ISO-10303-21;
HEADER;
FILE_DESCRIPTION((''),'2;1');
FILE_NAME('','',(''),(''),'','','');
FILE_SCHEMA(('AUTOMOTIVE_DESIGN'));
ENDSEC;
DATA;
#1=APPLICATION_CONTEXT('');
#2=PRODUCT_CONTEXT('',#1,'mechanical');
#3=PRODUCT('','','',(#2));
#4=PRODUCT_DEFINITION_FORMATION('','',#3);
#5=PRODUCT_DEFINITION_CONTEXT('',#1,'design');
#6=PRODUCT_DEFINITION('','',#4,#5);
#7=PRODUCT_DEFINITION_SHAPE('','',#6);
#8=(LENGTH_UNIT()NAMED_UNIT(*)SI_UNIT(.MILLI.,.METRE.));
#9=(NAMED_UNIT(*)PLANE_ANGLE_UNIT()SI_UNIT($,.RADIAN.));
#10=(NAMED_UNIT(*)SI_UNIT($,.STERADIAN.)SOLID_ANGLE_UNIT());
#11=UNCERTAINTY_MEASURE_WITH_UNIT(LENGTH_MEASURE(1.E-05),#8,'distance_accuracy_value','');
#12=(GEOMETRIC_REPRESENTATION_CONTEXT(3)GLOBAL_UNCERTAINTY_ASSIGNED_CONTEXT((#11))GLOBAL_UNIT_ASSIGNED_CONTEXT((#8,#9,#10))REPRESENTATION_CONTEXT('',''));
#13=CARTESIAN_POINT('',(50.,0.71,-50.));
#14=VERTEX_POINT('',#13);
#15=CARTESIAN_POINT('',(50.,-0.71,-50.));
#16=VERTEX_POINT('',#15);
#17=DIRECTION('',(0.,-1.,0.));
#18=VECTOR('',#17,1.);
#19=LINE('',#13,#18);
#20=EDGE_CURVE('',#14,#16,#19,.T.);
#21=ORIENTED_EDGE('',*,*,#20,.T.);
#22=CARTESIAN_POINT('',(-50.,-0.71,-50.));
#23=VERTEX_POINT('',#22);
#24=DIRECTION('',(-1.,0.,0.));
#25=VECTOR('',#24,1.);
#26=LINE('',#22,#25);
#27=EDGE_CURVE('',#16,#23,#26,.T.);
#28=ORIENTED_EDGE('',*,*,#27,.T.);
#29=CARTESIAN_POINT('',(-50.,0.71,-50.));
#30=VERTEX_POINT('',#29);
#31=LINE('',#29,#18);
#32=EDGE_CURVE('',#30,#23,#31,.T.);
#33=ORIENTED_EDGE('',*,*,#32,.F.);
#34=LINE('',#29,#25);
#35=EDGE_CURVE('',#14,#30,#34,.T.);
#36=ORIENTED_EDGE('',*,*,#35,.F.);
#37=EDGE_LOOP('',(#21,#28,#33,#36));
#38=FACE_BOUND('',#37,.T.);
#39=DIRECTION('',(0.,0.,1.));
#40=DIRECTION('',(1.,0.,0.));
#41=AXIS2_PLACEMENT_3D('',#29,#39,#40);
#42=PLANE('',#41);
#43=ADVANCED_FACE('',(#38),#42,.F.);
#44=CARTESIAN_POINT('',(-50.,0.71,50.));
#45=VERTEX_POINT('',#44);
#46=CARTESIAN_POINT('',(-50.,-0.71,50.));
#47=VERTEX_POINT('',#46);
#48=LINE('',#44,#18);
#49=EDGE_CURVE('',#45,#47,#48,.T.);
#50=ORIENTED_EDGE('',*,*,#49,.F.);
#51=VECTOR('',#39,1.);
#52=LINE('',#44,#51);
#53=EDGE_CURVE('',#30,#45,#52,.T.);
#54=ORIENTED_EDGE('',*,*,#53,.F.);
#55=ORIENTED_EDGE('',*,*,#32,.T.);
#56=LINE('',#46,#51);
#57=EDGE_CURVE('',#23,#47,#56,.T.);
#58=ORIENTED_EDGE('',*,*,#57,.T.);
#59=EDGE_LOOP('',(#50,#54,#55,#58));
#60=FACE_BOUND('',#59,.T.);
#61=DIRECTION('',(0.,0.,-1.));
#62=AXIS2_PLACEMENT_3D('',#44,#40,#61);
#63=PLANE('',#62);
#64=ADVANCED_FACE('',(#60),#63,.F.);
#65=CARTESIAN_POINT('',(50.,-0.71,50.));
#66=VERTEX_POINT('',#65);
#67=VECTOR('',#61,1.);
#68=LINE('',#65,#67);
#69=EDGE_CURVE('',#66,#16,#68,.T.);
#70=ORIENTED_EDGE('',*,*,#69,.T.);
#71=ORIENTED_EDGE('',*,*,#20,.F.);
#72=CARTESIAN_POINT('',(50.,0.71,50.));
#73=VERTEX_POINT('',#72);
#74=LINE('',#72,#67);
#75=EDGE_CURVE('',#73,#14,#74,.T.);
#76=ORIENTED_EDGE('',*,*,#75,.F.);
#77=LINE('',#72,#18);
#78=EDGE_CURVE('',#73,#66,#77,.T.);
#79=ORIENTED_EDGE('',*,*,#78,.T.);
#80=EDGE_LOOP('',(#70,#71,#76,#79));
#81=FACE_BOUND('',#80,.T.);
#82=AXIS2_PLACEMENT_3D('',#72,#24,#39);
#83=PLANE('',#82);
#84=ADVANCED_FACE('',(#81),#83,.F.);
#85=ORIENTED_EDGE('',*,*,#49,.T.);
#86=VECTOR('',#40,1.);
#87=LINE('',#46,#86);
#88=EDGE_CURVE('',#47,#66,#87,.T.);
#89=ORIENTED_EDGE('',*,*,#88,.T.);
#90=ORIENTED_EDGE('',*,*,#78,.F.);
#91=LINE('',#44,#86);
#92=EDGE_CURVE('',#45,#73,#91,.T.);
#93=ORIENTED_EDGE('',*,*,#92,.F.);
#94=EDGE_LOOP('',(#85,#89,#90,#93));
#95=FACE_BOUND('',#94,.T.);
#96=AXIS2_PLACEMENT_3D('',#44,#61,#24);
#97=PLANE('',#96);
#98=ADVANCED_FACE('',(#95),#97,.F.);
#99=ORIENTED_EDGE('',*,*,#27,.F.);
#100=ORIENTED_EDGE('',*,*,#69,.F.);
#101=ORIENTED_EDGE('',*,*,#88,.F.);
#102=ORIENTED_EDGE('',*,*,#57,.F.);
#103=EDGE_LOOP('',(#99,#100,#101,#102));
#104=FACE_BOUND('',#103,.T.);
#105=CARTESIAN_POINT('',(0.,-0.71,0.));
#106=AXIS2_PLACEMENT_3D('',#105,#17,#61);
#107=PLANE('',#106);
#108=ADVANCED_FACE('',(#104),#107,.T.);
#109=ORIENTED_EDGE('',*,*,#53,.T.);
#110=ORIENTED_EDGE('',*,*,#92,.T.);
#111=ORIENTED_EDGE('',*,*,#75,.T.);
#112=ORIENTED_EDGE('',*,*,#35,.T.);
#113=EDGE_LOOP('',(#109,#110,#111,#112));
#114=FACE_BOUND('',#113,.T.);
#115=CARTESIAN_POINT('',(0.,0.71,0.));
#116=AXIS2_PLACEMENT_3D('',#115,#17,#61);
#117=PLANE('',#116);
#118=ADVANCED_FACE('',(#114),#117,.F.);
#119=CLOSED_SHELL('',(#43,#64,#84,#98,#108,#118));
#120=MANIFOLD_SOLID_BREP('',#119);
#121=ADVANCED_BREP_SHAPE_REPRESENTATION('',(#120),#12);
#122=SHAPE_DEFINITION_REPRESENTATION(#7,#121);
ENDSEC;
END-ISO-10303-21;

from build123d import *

# Parameters (mm, degrees)
SKETCH1_W           = 100
SKETCH1_H           = 100
BOSS_EXTRUDE1_DEPTH = 0.71


with BuildPart() as part:
    # Sketch1 → Boss-Extrude1 (new, symmetric)
    with BuildSketch(Plane(origin=(0, 0, 0), x_dir=(1, 0, 0), z_dir=(0, 1, 0))):
        Rectangle(SKETCH1_W, SKETCH1_H)
    extrude(amount=BOSS_EXTRUDE1_DEPTH, both=True)


solid = part.part
